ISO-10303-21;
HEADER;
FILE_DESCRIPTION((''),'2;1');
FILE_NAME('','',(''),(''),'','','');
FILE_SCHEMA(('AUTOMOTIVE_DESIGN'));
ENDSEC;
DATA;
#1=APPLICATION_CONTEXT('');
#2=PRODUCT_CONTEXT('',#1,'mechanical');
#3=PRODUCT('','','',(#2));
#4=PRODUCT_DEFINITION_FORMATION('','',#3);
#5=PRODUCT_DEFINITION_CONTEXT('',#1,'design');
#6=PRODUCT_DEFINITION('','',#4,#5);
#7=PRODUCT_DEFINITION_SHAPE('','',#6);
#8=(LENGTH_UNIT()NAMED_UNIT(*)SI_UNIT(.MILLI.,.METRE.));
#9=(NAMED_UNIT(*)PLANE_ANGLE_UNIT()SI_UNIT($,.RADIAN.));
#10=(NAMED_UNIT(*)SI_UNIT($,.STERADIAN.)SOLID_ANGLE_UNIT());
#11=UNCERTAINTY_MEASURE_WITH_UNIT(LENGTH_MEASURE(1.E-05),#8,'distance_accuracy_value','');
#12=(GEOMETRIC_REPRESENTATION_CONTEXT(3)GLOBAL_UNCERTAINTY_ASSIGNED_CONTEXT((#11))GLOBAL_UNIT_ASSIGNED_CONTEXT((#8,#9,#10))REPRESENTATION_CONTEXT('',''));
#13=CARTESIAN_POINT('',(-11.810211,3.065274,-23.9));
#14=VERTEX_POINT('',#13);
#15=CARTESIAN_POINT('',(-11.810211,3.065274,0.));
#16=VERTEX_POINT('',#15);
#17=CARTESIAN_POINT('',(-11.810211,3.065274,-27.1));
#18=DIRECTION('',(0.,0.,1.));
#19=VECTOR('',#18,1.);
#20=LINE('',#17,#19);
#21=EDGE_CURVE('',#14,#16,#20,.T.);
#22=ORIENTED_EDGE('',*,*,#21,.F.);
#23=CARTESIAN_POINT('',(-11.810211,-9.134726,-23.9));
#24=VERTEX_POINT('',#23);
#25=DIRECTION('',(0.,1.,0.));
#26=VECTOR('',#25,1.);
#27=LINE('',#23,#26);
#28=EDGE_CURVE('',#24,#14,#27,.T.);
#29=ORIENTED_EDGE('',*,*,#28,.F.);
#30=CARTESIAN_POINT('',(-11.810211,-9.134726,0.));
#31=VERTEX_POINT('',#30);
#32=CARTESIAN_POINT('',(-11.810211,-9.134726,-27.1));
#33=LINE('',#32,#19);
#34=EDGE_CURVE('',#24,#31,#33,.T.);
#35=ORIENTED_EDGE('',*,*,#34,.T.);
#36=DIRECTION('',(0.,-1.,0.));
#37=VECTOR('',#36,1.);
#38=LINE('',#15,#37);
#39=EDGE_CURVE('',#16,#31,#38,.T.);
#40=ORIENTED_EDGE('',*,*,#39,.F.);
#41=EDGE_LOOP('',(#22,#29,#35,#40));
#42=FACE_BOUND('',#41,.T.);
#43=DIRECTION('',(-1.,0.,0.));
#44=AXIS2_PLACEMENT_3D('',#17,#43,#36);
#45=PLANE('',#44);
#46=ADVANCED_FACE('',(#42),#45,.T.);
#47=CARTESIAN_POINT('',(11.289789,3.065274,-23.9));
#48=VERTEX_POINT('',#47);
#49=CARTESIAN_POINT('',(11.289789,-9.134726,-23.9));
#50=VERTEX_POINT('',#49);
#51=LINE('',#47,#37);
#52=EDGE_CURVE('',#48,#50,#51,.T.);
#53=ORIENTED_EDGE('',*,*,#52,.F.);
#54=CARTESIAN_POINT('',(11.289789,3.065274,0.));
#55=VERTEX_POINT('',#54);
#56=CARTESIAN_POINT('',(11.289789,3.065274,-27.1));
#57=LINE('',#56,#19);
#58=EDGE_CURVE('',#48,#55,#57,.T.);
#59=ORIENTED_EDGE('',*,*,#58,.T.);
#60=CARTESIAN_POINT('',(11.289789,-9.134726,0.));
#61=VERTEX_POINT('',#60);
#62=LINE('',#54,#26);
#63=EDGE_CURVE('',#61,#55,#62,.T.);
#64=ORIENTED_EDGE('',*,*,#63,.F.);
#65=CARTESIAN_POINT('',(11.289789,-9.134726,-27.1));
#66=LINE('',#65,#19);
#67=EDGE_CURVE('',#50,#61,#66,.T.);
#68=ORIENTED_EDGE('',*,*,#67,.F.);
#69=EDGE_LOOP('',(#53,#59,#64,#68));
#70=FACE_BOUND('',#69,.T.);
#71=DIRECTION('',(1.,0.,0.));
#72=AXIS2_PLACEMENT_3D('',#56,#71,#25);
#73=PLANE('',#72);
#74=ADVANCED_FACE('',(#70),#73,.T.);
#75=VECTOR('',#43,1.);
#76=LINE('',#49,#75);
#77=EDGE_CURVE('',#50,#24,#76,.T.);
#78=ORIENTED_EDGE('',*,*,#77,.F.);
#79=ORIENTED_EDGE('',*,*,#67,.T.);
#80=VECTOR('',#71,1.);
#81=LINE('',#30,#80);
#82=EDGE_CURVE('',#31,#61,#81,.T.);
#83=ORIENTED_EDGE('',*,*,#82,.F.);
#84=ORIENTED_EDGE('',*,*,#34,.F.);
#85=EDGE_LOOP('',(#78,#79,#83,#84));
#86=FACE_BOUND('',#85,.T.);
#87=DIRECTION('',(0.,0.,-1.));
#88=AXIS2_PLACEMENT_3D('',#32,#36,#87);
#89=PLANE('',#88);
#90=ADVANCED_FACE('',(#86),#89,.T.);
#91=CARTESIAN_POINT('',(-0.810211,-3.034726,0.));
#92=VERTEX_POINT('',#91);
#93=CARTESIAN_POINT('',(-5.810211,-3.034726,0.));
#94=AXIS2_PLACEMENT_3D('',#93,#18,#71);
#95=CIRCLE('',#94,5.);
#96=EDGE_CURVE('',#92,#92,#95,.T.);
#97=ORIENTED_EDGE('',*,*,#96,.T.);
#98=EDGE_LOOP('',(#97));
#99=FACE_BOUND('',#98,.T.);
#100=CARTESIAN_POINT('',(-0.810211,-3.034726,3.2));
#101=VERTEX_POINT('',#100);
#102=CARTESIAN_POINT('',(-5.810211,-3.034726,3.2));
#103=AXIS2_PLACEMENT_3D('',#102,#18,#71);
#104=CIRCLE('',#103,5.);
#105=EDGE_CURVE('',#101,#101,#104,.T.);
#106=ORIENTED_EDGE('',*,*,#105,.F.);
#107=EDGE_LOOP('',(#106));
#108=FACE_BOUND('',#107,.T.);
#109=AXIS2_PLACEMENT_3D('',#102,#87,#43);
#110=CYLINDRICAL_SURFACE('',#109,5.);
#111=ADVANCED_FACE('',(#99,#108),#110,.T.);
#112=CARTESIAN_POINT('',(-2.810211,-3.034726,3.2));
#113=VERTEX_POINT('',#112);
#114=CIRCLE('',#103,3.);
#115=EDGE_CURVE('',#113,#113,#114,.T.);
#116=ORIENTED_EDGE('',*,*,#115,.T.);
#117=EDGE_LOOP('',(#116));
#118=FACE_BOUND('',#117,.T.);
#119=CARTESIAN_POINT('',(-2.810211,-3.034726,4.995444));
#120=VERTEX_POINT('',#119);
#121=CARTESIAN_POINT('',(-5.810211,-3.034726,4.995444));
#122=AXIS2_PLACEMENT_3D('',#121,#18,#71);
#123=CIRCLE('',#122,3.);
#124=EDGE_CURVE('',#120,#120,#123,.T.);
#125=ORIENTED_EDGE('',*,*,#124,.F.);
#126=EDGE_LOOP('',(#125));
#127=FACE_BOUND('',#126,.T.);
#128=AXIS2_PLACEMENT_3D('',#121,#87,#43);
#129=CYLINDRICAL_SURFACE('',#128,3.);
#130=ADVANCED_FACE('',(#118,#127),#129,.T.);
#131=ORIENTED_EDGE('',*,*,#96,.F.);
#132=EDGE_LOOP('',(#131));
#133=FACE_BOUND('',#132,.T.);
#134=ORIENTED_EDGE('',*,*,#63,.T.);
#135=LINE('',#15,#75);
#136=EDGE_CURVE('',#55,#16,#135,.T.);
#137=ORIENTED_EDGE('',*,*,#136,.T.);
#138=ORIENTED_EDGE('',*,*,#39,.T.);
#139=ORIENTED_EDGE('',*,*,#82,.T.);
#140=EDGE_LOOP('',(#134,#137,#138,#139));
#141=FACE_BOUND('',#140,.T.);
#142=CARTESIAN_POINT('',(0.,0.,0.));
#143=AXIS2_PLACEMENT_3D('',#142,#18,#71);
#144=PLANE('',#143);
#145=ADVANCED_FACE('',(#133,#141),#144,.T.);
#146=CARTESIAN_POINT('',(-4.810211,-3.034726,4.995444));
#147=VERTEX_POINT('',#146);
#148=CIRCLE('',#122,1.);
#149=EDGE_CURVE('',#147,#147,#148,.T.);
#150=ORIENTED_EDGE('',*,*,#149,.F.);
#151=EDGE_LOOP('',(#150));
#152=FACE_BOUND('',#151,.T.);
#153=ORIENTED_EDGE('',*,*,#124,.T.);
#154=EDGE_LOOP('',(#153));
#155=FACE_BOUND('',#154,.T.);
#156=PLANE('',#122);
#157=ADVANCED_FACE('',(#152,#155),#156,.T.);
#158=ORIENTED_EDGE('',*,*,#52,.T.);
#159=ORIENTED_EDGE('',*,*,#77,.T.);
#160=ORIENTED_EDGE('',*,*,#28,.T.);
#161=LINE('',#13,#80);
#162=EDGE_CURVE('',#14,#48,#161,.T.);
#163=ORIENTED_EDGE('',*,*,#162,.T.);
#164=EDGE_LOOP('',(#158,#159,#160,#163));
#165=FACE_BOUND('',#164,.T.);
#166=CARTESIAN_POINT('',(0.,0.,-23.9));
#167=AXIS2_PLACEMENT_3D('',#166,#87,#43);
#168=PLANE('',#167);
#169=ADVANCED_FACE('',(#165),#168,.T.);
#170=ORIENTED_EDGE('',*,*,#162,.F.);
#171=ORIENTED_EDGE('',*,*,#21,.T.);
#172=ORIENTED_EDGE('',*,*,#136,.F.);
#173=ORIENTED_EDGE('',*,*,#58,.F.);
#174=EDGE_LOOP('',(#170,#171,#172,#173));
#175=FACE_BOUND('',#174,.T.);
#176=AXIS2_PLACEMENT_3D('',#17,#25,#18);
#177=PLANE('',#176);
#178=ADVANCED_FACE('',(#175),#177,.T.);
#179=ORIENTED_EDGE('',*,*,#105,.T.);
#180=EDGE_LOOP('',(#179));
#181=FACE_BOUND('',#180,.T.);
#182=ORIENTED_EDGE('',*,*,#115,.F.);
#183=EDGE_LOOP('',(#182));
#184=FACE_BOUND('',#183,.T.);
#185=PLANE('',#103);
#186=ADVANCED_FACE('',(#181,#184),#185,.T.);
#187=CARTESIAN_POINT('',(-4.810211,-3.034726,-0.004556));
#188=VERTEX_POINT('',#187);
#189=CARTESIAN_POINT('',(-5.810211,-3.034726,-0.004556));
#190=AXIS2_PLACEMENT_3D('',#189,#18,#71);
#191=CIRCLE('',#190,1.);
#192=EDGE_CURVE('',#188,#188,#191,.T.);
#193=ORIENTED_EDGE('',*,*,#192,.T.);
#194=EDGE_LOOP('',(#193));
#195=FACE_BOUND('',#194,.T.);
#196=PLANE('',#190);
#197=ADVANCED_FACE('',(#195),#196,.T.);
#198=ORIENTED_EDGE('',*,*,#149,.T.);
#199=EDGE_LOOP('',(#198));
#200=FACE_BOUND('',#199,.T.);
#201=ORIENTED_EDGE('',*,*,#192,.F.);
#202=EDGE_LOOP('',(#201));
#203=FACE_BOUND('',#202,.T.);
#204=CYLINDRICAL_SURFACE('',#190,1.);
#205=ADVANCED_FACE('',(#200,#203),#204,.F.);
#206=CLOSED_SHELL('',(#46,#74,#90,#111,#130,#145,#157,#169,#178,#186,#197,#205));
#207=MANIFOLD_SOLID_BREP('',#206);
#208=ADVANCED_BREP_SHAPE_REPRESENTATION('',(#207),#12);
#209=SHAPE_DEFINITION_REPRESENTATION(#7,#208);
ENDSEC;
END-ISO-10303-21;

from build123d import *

# Parameters (mm, degrees)
SKETCH_1_W          = 23.1
SKETCH_1_H          = 12.2
EXTRUDE_1_DEPTH     = 27.1
SKETCH_2_R          = 5
EXTRUDE_2_DEPTH     = 3.2
SKETCH_3_W          = 23.1
SKETCH_3_H          = 12.2
CUT_EXTRUDE_1_DEPTH = 3.2
SKETCH_4_R          = 3
CUT_EXTRUDE_2_DEPTH = 3.2
EXTRUDE_START       = 4.995444433
SKETCH_5_R          = 3
EXTRUDE_3_DEPTH     = 4.995444433
SKETCH_7_R          = 1
CUT_EXTRUDE_3_DEPTH = 5


with BuildPart() as part:
    # 草图1 → 凸台-拉伸1 (new body)
    with BuildSketch(Plane.XY):
        with Locations((-0.26021144, -3.034725608)):
            Rectangle(SKETCH_1_W, SKETCH_1_H)
    extrude(amount=-EXTRUDE_1_DEPTH)

    # 草图2 → 凸台-拉伸2 (add)
    with BuildSketch(Plane.XY):
        with Locations((-5.81021144, -3.034725608)):
            Circle(SKETCH_2_R)
    extrude(amount=EXTRUDE_2_DEPTH)

    # 草图3 → 切除-拉伸1 (cut)
    with BuildSketch(Plane(origin=(0, 0, -27.1), x_dir=(-1, 0, 0), z_dir=(0, 0, -1))):
        with Locations((0.26021144, -3.034725608)):
            Rectangle(SKETCH_3_W, SKETCH_3_H)
    extrude(amount=-CUT_EXTRUDE_1_DEPTH, mode=Mode.SUBTRACT)

    # 草图4 → 切除-拉伸2 (cut)
    with BuildSketch(Plane.XY.offset(3.2)):
        with Locations((-5.81021144, -3.034725608)):
            Circle(SKETCH_4_R)
    extrude(amount=-CUT_EXTRUDE_2_DEPTH, mode=Mode.SUBTRACT)

    # 草图5 → 凸台-拉伸3 (add)
    with BuildSketch(Plane.XY.offset(EXTRUDE_START)):
        with Locations((-5.81021144, -3.034725608)):
            Circle(SKETCH_5_R)
    extrude(amount=-EXTRUDE_3_DEPTH)

    # 草图7 → 切除-拉伸3 (cut)
    with BuildSketch(Plane.XY.offset(4.995444433)):
        with Locations((-5.81021144, -3.034725608)):
            Circle(SKETCH_7_R)
    extrude(amount=-CUT_EXTRUDE_3_DEPTH, mode=Mode.SUBTRACT)


solid = part.part
